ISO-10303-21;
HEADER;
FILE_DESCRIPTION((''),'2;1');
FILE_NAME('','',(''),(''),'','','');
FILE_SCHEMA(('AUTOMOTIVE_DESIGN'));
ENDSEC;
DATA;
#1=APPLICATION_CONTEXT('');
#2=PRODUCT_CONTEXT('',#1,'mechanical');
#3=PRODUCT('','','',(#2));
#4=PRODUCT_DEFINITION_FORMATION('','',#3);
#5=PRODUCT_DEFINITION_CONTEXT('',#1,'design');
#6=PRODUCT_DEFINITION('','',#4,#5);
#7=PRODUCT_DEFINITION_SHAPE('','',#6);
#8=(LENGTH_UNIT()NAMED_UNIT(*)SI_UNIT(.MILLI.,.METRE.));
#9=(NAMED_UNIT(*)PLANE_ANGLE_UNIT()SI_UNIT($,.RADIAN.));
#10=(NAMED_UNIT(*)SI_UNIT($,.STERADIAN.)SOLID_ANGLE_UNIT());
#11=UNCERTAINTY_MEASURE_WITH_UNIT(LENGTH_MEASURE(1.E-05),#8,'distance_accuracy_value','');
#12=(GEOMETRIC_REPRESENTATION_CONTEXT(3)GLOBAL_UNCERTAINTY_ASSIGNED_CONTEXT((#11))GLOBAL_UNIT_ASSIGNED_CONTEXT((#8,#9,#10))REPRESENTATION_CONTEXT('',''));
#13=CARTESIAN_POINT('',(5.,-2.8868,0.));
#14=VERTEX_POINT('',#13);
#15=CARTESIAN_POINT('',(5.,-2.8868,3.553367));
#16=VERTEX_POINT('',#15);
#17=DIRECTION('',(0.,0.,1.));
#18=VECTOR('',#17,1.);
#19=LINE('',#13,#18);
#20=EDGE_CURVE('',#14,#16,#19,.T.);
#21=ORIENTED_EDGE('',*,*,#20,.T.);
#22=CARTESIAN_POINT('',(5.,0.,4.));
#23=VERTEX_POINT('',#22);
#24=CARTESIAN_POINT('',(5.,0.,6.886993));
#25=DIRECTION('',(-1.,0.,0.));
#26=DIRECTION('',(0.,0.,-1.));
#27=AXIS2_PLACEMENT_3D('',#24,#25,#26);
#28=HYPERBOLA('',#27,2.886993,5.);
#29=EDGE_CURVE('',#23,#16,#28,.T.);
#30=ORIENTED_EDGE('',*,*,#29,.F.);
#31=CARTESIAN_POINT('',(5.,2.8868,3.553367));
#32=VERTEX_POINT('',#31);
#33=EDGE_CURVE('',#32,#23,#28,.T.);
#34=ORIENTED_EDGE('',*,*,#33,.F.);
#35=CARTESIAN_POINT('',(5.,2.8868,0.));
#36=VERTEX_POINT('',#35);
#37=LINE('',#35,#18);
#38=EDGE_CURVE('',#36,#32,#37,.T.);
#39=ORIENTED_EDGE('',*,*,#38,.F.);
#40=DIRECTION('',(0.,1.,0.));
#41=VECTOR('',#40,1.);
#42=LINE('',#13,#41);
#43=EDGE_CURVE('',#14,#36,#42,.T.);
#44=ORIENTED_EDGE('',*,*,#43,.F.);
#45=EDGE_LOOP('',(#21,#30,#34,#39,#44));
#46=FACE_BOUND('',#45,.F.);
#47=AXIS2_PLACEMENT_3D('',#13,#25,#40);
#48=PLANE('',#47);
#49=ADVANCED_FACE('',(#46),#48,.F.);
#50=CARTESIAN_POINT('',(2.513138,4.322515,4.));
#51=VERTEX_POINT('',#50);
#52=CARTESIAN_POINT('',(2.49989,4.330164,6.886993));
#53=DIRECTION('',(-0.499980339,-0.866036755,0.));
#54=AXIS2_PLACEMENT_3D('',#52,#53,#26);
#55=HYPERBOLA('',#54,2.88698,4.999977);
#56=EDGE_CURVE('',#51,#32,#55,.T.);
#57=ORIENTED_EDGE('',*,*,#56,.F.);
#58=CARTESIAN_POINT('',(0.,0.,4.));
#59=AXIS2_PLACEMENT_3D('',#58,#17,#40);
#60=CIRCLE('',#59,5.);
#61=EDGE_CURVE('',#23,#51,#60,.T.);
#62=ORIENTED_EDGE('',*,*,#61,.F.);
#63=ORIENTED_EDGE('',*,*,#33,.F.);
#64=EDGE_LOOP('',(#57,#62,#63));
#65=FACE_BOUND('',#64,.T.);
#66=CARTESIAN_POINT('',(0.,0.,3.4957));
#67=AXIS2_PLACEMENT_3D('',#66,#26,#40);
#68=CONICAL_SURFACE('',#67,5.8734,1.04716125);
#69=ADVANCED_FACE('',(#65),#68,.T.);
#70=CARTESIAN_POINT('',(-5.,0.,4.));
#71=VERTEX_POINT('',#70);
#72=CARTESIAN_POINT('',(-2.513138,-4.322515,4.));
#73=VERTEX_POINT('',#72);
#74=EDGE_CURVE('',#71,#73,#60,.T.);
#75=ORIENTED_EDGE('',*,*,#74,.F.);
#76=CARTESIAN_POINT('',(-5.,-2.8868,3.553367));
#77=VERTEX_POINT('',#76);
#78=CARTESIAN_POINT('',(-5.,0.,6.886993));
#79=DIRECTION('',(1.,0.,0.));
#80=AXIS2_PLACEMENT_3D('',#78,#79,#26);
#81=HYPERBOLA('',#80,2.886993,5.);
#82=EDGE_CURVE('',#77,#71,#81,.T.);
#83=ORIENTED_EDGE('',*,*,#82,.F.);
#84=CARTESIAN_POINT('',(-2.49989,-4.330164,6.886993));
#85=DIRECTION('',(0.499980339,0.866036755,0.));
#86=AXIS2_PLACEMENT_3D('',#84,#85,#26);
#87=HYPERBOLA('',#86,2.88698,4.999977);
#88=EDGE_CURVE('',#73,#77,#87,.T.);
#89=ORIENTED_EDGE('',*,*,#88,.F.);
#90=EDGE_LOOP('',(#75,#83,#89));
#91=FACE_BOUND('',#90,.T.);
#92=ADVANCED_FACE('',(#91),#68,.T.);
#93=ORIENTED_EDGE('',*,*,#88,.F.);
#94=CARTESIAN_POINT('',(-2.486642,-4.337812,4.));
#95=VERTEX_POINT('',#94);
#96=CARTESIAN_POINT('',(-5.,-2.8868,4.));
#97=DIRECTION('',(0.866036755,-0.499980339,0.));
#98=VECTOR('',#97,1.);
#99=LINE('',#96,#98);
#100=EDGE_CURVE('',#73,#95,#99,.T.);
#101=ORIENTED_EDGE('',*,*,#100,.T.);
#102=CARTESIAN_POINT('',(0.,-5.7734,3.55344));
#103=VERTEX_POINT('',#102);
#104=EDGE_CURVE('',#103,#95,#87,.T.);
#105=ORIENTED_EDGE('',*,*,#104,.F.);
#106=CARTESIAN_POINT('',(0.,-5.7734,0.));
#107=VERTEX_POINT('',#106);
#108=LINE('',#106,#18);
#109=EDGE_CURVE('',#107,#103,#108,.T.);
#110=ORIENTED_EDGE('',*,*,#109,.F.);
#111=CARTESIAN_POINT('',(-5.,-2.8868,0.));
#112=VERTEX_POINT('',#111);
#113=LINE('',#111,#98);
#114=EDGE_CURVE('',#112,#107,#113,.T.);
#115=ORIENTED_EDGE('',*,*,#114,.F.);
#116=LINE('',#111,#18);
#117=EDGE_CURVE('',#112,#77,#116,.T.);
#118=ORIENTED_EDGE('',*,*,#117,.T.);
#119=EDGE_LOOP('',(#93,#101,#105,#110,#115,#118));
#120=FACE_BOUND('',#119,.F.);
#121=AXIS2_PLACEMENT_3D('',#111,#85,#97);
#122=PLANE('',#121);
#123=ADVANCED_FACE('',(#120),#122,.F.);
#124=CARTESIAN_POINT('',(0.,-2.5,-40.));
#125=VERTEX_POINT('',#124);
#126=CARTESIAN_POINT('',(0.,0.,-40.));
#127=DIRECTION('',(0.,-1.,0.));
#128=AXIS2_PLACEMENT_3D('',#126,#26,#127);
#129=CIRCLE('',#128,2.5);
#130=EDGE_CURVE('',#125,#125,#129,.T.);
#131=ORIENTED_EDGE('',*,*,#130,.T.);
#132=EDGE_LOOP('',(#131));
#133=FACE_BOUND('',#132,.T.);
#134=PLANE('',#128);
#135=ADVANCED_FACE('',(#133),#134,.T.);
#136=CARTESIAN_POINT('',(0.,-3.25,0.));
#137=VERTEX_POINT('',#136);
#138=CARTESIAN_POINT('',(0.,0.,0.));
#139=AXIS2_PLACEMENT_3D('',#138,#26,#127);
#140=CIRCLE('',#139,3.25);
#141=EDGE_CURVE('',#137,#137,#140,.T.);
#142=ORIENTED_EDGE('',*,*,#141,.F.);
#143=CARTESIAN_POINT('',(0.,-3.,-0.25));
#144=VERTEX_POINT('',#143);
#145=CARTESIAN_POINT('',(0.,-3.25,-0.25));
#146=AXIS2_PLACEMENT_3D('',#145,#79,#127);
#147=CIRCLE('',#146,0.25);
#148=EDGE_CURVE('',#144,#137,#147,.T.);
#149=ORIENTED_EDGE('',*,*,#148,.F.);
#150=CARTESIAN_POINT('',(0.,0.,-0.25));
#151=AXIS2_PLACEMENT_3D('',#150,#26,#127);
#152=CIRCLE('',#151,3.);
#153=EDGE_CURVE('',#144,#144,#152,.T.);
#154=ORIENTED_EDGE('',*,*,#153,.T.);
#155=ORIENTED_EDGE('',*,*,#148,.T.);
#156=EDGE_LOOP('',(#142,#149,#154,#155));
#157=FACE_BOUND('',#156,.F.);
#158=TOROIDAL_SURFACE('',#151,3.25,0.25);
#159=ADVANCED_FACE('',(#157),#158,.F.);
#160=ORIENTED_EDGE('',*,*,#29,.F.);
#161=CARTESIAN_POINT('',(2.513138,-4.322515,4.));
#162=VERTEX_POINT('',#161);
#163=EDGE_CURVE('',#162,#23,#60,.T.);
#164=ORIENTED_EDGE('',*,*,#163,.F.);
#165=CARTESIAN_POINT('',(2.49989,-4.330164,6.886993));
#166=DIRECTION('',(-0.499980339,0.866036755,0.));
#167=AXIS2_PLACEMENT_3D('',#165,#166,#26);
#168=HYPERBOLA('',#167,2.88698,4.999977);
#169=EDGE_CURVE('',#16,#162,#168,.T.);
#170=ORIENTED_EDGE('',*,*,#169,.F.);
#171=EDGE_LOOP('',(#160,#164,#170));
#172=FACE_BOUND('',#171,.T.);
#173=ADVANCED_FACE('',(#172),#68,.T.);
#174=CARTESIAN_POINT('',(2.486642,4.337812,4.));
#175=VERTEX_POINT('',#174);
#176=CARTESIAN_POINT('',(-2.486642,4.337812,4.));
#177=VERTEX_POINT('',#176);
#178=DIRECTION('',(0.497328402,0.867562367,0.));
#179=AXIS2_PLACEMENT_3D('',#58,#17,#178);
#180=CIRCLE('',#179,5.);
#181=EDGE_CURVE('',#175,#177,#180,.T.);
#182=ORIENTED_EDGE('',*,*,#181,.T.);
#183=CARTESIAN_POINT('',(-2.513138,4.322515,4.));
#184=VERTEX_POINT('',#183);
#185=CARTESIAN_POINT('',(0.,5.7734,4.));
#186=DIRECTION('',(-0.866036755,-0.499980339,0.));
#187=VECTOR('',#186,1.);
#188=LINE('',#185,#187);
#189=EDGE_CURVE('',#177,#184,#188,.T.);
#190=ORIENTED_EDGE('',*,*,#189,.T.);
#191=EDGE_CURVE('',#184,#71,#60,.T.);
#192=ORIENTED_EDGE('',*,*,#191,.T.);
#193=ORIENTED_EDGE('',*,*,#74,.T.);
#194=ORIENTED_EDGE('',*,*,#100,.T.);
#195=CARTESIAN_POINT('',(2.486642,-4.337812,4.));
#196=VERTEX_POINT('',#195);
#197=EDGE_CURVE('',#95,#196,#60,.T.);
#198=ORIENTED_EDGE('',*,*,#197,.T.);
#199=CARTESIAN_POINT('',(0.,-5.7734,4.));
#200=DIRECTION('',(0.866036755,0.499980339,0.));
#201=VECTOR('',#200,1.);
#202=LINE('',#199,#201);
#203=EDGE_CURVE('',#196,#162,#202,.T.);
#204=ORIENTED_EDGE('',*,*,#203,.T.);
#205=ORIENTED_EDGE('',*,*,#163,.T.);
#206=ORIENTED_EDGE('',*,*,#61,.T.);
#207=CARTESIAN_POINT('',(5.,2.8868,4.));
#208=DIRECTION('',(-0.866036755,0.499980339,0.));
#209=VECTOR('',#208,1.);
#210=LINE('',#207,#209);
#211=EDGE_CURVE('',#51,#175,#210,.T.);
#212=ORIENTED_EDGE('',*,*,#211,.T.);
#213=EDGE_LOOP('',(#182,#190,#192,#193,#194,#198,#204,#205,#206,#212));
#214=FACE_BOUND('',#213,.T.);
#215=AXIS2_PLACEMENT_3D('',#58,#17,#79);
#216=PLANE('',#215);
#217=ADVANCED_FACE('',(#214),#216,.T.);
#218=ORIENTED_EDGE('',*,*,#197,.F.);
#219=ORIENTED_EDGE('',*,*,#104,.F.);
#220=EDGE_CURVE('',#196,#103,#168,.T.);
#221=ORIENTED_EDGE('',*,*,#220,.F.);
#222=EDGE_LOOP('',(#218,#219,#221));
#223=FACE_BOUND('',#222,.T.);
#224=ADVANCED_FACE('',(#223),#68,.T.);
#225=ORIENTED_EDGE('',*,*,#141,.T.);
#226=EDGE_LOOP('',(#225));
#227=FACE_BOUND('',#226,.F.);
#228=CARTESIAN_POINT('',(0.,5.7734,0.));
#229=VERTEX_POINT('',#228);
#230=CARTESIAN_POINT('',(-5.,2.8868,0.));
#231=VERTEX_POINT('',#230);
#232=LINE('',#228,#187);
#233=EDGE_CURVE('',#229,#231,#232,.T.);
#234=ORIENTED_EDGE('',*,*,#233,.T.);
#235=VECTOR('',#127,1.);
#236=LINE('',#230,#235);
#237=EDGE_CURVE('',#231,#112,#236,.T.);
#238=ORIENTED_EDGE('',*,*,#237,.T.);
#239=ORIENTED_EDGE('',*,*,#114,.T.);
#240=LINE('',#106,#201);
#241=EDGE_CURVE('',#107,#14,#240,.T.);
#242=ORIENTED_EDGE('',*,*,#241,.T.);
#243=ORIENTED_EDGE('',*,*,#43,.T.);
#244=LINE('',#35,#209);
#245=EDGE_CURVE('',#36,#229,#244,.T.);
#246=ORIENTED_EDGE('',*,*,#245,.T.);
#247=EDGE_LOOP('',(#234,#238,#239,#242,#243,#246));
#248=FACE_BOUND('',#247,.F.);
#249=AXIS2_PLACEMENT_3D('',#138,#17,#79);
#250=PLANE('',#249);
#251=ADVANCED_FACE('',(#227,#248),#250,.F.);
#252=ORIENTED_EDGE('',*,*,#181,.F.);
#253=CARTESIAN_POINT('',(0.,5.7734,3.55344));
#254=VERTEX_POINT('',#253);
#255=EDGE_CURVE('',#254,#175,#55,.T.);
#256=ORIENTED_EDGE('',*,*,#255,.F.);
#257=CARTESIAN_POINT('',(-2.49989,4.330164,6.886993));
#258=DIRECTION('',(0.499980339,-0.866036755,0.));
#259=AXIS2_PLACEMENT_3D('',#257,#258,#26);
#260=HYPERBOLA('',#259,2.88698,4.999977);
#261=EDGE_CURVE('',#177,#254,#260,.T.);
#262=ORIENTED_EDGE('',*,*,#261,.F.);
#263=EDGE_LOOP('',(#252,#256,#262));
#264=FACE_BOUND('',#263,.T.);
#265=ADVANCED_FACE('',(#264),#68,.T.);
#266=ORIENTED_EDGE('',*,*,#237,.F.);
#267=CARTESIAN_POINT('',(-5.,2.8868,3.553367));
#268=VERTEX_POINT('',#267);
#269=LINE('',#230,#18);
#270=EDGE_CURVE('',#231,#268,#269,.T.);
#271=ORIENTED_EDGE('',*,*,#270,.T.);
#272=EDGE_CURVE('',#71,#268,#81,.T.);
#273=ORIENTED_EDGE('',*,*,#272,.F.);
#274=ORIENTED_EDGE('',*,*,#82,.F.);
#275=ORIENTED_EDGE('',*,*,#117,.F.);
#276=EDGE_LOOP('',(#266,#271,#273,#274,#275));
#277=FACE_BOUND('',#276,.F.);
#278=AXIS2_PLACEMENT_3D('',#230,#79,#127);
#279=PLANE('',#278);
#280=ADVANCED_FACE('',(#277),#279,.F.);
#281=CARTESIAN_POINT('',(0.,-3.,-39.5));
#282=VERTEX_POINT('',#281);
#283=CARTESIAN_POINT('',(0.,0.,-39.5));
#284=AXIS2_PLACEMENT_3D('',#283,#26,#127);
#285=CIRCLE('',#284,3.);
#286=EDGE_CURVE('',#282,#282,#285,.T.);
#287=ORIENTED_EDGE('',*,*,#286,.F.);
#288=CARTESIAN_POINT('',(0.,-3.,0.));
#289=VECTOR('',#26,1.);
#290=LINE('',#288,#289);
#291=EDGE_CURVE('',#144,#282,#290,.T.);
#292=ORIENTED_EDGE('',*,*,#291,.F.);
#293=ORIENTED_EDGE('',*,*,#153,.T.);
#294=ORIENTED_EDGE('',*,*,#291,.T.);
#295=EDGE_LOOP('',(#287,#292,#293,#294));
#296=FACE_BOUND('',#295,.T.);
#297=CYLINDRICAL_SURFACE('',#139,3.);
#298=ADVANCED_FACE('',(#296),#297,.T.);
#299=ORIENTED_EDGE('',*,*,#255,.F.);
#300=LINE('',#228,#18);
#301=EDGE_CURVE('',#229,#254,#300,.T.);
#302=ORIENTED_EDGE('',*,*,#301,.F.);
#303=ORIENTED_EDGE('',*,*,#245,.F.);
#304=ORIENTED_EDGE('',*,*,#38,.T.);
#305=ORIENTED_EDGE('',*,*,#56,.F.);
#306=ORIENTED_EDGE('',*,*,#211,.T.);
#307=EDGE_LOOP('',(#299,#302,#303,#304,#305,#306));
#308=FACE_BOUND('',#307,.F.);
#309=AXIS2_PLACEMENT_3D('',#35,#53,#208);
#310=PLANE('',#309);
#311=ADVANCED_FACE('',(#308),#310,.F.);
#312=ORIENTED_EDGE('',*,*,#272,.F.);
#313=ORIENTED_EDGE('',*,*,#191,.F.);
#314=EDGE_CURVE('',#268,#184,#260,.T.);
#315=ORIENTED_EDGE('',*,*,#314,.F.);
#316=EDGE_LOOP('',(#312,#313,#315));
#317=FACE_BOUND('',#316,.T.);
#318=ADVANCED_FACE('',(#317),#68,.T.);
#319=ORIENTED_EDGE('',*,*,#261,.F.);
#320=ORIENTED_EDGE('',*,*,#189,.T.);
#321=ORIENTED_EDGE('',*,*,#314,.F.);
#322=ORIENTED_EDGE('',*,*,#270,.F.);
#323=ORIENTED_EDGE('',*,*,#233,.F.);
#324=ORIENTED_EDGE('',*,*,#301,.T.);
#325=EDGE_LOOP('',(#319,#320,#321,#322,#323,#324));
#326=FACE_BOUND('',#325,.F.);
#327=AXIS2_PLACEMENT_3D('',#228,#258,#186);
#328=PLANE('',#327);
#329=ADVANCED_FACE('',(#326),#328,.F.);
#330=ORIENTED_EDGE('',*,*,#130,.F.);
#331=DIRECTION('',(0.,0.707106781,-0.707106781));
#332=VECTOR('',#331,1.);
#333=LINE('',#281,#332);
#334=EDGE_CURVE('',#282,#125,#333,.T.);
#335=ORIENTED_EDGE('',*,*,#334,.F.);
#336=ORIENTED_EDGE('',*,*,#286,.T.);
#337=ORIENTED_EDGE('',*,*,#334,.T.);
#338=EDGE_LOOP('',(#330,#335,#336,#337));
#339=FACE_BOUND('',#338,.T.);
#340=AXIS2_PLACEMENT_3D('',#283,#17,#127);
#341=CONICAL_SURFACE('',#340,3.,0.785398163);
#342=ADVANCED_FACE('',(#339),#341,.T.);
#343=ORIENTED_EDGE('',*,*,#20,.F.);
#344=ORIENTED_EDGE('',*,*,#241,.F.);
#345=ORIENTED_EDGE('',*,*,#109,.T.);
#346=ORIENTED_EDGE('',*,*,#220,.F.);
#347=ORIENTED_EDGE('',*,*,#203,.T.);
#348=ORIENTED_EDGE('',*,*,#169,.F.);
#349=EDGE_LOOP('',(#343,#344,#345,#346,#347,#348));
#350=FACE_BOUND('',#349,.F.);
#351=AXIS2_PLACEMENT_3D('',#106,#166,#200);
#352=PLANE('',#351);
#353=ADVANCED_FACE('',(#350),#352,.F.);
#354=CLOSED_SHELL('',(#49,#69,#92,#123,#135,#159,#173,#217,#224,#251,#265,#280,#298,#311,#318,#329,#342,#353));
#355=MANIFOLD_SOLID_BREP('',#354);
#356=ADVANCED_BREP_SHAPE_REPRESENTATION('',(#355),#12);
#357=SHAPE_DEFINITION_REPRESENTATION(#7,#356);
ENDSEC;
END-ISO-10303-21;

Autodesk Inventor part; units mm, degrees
ref_plane "WorkPlane1" through (0, 0, 0) normal (0, 0, 1) x (1, 0, 0)
sketch "Szkic1" plane through (0, 0, 0) normal (0, 0, 1) x (1, 0, 0)
  point P0 (0, 0)
sketch "Szkic2" plane through (0, 0, 0) normal (0, 0, 1) x (1, 0, 0)
  line L0 (-5, 2.8868) -> (-5, -2.8868)
  line L1 (0, 5.7734) -> (-5, 2.8868)
  line L2 (5, 2.8868) -> (0, 5.7734)
  line L3 (5, -2.8868) -> (5, 2.8868)
  line L4 (0, -5.7734) -> (5, -2.8868)
  line L5 (-5, -2.8868) -> (0, -5.7734)
  circle A0 centre (0, 0) radius 5 construction
  dimension "d1" = 10
  dimension "d29" = 0
  dimension "d30" = 0
extrude "Wyciągnięcie proste1" add sketch "Szkic2" along normal blind 4
sketch "Szkic3" plane through (0, 0, 0) normal (1, 0, 0) x (0, 1, 0)
  line L0 (5, 4) -> (5.8734, 4)
  line L1 (5.8734, 3.4957) -> (5, 4)
  line L2 (5.8734, 4) -> (5.8734, 3.4957)
  line L3 (0, -0.8) -> (0, 4.8) projected
  line L4 (5.7734, 0) -> (5.7734, 4) projected
  dimension "d25" = 0.1
  dimension "d26" = 0
  dimension "d27" = 60
  dimension "d28" = 5
revolve "Obrót1" cut sketch "Szkic3" angle 360 about axis through (0, 0, -10) along (0, 0, 1)
sketch "Szkic4" plane through (0, 0, 0) normal (1, 0, 0) x (0, 1, 0)
  line L0 (0, -40) -> (0, 0)
  line L1 (-3, -40) -> (0, -40)
  line L2 (-3, 0) -> (-3, -40)
  line L3 (0, 0) -> (-3, 0)
  line L4 (0, -40) -> (0, 0)
  line L5 (-3.6, 0) -> (0.6, 0) projected
  line L6 (0, -48) -> (0, 8) projected
  dimension "d18" = 3
  dimension "d20" = 40
  dimension "d33" = 0
  dimension "d34" = 0
revolve "Obrót2" add sketch "Szkic4" angle 360 about axis through (0, 0, -40) along (0, 0, -1)
chamfer "Faza1" distance 0.5 angle 45 1 edges at (0, 3, -40)
fillet "Zaokrąglenie1" radius 0.25 1 edges at (0, 3, 0)
thread "Gwint1" size "M6x1" class "6g" standard "ISO Metric profile" length 18
ref_plane "MSC_PF1" through (0, 0, 0) normal (1, 0, 0) x (0, 1, 0)
ref_plane "MSC_PT1" through (0, 0, 0) normal (0, 0, -1) x (-1, 0, 0)
equation "\"d1\" = ParS"
equation "\"d6\" = ParK"
equation "\"d22\" = 0.5 * PTC"
equation "\"d23\" = 0.5 * PTC"
equation "\"d24\" = r"
equation "\"d28\" = 0.5 * ParS"
equation "\"d18\" = 0.5 * NND"
equation "\"d20\" = NLG"
equation "\"NND\" = 6"
equation "\"NLG\" = 40"
equation "\"PTC\" = 1"
equation "\"ParK\" = 4"
equation "\"ParS\" = 10"
equation "\"msp_es\" = 0.577367 * ParS"
equation "\"r\" = 0.25"
equation "\"THREADDIA\" = NND"
properties part number "ISO 4016 - M6 x 40" material "Stal"
